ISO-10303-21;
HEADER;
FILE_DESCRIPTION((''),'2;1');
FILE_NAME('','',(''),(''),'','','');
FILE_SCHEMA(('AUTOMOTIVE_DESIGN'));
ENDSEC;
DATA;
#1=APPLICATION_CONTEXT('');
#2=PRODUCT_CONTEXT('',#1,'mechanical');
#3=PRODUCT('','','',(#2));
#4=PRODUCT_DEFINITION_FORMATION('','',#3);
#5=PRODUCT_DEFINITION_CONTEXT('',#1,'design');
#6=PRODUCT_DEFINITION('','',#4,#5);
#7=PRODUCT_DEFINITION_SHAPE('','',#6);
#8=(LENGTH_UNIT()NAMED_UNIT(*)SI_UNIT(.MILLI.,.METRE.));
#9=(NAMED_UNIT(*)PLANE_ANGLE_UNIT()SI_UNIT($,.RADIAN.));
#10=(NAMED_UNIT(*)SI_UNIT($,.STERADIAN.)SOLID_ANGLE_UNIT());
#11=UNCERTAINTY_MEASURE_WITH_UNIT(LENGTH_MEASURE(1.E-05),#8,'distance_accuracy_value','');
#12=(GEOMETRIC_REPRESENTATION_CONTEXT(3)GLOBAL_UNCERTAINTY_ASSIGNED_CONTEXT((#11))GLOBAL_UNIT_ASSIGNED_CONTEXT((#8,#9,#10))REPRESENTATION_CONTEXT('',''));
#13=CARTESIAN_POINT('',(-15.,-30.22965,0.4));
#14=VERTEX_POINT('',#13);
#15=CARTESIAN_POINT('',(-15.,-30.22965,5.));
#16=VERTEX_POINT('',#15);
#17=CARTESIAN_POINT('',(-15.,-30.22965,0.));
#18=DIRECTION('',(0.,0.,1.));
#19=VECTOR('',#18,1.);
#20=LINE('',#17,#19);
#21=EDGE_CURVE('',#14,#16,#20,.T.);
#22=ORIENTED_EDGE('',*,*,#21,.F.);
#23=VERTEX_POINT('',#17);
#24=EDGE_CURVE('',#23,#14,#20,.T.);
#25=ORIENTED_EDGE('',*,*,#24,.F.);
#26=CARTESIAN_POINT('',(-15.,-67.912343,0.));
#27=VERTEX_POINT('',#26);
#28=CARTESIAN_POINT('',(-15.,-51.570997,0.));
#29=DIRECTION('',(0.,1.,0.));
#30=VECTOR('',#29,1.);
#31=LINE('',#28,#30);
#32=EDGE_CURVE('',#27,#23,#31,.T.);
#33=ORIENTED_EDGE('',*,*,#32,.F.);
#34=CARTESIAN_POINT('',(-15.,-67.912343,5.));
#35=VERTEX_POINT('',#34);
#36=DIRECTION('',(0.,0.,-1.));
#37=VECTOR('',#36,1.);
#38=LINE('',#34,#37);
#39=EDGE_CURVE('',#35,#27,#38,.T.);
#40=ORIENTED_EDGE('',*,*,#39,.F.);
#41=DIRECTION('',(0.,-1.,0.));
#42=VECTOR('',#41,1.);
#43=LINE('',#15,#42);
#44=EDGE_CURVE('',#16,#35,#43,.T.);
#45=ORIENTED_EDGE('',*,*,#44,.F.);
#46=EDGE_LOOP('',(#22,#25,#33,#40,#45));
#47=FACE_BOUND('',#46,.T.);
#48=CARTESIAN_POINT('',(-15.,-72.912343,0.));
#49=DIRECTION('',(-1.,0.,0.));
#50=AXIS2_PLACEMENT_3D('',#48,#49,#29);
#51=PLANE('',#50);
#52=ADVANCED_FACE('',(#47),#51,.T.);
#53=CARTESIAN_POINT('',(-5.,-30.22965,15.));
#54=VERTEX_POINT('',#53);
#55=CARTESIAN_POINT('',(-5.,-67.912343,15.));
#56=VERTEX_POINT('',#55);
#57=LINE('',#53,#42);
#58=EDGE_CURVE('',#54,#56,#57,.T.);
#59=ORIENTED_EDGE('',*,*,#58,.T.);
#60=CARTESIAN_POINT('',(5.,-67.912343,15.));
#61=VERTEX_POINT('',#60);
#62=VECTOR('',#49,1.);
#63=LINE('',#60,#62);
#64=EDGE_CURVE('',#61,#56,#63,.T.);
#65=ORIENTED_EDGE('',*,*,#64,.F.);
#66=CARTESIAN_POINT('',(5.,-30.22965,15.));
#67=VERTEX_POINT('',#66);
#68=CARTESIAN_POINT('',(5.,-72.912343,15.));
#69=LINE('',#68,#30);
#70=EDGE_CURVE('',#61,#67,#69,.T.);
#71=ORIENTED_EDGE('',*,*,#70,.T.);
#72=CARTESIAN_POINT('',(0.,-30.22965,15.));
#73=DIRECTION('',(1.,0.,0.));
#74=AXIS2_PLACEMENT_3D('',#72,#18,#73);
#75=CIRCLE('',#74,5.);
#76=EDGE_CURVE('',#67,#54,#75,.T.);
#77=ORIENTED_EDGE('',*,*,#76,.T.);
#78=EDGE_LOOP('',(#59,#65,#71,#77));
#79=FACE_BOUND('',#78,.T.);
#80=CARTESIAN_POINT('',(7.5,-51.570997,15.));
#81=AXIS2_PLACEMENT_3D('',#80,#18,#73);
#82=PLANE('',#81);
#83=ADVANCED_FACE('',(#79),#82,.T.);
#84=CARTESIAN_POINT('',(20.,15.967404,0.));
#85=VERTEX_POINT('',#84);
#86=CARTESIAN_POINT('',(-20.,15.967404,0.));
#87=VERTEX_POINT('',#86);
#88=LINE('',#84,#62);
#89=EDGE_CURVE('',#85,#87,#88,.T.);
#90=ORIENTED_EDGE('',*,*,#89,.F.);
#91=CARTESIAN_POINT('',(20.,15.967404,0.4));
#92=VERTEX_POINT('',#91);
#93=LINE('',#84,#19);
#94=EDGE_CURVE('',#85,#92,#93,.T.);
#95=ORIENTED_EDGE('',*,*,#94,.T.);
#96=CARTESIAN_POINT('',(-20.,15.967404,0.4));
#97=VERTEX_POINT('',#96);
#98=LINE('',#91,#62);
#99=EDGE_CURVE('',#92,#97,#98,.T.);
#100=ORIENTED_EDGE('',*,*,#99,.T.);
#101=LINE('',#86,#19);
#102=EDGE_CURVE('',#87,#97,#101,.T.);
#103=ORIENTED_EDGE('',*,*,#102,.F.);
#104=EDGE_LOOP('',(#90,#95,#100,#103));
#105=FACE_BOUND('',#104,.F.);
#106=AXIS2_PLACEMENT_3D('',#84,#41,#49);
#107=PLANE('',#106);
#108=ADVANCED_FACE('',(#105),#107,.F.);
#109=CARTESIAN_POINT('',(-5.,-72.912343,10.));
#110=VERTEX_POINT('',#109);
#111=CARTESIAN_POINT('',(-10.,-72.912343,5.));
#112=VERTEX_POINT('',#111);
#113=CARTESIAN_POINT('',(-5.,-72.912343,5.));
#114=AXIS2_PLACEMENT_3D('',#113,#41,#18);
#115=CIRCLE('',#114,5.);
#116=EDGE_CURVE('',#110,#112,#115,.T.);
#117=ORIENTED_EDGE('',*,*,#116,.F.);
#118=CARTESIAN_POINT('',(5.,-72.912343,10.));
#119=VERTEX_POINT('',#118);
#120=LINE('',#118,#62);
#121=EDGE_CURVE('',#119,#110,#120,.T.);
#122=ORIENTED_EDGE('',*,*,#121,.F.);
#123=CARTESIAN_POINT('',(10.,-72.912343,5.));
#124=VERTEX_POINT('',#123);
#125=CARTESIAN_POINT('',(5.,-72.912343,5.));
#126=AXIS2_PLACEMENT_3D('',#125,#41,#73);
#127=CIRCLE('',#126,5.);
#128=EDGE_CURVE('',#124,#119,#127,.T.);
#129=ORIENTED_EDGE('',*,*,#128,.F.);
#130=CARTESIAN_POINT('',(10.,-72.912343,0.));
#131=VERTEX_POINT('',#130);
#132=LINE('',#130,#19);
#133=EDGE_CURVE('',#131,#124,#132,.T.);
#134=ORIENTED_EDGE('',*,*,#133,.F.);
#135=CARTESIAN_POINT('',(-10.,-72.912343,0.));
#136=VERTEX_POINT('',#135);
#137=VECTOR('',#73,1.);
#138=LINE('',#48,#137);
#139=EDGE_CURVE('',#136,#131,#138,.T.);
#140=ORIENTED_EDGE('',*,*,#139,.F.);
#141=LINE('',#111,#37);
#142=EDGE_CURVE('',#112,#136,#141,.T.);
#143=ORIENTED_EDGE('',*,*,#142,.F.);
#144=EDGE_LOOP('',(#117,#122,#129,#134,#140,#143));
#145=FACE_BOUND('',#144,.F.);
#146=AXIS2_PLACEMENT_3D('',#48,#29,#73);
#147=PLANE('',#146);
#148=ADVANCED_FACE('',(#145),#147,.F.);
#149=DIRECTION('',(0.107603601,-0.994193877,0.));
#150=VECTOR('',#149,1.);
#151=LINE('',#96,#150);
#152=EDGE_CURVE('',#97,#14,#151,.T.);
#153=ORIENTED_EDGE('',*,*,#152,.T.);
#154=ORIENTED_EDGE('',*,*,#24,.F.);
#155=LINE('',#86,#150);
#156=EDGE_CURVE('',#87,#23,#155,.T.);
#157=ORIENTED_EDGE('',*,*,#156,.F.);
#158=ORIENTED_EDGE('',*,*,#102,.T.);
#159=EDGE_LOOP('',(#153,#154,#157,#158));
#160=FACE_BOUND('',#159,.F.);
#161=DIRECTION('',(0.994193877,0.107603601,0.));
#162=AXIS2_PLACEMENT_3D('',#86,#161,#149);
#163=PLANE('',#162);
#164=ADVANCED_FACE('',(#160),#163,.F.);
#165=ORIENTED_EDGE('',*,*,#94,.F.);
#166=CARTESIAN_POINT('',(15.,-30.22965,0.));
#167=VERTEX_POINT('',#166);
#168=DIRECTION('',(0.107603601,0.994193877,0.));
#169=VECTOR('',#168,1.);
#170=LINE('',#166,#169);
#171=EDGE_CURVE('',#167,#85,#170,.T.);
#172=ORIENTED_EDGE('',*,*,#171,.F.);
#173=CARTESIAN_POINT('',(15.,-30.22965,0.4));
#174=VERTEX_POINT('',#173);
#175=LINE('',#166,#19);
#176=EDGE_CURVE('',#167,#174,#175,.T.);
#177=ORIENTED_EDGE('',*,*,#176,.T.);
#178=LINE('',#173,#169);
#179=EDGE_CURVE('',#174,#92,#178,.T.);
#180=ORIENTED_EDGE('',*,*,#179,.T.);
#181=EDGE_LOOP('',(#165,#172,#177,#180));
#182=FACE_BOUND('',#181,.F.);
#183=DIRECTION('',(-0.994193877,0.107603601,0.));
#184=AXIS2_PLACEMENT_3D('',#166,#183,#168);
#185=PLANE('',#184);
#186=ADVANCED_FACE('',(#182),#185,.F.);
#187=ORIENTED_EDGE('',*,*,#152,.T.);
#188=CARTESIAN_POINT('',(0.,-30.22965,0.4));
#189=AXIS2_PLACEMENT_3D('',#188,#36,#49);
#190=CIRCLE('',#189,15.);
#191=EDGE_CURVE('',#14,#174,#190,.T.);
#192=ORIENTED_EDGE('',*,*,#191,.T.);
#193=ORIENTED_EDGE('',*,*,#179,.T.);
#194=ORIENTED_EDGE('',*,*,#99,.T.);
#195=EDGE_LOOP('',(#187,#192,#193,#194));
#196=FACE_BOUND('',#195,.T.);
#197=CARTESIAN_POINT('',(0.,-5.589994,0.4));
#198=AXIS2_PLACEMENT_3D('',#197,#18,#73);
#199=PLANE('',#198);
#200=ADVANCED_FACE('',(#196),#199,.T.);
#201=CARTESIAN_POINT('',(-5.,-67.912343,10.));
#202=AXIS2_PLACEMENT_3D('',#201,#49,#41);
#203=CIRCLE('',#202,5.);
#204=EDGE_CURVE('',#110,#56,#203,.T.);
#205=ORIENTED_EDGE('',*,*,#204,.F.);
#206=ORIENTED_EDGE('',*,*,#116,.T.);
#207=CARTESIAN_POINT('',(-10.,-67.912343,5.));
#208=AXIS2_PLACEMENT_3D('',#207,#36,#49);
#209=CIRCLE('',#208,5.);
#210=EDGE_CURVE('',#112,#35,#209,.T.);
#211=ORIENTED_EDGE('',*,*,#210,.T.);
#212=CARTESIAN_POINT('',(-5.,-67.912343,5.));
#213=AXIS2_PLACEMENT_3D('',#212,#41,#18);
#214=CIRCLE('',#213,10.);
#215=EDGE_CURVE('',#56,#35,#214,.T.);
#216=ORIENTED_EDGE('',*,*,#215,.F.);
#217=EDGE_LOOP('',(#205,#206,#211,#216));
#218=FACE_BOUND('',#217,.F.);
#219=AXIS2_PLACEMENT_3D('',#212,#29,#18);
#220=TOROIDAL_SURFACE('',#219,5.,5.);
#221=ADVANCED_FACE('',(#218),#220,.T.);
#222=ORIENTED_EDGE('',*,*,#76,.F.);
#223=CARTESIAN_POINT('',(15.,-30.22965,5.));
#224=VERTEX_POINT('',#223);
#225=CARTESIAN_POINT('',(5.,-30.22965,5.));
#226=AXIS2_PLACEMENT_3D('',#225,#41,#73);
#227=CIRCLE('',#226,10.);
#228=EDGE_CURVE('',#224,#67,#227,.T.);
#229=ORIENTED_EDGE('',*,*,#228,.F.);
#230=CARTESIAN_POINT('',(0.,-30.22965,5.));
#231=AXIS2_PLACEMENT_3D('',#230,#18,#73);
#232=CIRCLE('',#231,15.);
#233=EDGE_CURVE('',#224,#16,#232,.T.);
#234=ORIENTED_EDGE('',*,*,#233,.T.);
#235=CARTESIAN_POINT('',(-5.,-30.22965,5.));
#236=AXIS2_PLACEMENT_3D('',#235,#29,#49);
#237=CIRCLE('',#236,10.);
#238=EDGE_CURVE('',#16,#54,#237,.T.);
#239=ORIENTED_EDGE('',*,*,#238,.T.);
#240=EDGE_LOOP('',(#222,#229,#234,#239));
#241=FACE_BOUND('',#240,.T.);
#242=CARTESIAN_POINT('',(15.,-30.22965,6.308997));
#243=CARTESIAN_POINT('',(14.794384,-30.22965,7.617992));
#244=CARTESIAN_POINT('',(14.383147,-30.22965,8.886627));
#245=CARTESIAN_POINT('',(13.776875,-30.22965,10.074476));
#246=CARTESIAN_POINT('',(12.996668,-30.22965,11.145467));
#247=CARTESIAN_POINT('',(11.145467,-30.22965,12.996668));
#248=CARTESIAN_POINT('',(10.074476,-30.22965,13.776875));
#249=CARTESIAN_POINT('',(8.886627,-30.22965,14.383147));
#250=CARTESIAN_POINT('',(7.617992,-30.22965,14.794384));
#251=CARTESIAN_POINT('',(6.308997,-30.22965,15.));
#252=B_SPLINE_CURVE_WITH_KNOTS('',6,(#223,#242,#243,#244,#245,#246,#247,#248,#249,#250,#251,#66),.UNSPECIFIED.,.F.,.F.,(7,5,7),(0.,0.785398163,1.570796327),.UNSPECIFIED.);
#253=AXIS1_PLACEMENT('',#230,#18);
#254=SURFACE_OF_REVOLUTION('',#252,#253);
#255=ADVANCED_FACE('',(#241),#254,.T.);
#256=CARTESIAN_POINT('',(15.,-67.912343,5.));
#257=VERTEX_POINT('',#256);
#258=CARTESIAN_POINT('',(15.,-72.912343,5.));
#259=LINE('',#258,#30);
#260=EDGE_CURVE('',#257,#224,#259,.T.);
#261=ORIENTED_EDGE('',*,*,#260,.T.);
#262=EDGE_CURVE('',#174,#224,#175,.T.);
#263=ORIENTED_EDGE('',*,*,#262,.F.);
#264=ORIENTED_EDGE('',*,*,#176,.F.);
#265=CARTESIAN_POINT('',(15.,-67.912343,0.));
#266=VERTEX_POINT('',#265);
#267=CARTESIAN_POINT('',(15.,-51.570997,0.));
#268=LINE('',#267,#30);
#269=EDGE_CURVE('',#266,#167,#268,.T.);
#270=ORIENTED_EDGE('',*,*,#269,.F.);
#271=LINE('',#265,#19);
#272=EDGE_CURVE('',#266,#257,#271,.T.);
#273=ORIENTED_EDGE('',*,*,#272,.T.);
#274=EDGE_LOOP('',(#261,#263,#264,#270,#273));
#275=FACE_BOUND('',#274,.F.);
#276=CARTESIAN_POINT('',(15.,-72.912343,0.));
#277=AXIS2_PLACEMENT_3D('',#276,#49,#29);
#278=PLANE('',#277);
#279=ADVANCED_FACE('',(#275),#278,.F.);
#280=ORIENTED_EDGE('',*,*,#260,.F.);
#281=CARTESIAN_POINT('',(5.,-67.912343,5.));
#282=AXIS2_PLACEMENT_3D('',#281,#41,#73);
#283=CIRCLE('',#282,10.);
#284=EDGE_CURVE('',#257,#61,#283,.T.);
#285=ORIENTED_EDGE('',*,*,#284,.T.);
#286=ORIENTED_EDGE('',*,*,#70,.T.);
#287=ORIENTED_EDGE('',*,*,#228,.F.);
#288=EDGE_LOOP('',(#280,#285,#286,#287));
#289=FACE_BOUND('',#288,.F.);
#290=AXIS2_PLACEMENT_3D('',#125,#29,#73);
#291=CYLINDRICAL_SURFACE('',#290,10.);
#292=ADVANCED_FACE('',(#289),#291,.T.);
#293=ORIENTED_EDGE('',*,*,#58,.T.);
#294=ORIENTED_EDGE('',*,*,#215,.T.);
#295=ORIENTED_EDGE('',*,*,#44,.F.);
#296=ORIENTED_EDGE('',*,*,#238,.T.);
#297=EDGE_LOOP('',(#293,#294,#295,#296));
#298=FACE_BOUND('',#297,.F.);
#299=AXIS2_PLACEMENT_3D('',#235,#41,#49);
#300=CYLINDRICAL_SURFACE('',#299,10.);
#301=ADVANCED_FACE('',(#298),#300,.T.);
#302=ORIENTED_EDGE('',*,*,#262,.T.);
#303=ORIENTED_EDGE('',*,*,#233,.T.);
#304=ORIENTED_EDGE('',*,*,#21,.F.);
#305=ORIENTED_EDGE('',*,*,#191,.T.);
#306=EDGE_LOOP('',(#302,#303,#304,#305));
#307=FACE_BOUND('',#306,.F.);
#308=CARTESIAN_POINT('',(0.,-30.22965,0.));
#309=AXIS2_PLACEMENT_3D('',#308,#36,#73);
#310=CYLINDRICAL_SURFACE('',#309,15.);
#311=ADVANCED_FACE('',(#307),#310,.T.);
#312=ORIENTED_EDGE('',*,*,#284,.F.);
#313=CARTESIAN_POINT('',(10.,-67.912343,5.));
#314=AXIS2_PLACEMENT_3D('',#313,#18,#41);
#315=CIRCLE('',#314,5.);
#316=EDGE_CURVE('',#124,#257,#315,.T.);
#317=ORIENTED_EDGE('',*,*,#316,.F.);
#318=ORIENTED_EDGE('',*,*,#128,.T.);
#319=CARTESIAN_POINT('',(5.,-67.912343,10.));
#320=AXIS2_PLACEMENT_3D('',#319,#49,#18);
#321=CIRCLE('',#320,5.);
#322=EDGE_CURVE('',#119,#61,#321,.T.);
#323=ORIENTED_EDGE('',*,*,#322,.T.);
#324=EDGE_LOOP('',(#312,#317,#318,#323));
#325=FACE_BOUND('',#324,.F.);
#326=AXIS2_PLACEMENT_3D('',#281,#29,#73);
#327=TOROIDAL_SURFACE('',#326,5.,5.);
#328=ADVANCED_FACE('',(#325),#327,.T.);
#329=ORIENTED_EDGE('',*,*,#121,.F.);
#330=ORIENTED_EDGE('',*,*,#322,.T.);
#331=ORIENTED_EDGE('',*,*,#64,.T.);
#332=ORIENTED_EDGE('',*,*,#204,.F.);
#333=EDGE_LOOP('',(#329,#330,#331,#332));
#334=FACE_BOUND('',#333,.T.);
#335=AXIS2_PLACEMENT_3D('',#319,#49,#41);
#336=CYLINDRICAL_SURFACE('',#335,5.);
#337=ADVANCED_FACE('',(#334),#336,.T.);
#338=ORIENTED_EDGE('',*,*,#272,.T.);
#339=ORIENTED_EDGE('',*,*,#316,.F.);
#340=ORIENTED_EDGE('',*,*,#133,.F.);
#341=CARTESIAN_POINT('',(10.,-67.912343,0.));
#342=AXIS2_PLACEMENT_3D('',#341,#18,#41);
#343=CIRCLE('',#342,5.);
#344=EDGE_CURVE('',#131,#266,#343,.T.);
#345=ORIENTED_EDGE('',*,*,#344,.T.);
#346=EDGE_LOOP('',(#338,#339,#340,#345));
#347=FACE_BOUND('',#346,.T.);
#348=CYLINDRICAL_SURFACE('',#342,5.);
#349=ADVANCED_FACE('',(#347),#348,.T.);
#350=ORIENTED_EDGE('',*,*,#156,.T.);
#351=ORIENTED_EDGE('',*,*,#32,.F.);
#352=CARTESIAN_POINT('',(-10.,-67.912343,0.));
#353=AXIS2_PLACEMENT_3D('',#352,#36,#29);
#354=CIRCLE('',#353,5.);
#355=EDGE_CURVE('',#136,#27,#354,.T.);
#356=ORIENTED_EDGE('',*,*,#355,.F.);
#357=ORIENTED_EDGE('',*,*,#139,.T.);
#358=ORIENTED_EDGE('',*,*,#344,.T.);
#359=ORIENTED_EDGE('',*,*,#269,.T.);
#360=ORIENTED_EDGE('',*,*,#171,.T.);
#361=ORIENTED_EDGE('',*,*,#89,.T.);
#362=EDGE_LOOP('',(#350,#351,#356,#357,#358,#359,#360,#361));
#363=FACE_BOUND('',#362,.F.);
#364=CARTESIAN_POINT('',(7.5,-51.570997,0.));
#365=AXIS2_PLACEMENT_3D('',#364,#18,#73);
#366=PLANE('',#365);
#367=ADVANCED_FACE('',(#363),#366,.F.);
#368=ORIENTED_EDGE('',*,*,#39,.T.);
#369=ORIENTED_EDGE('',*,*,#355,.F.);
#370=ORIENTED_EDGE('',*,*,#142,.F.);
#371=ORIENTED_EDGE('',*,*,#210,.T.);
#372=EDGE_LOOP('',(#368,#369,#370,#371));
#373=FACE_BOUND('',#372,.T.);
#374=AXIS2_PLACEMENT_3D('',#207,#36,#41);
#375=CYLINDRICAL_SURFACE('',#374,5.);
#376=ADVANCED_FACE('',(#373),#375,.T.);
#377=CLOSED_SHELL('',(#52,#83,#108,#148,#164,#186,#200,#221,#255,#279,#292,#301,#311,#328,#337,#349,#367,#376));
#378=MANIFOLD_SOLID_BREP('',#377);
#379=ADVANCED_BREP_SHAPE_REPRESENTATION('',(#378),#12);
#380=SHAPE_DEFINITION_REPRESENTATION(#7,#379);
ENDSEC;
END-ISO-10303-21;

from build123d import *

# Parameters (mm, degrees)
F1_DEPTH = 0.4
F0_W     = 15
F0_H     = 42.6826924086
F2_DEPTH = 15
F3_R     = 10
F4_R     = 5


with BuildPart() as f1:
    # F0 (on Top) → F1 (new body)
    with BuildSketch(Plane.XY):
        with BuildLine():
            ThreePointArc((0, -15.2296504378), (10.6066017178, -19.62304872), (15, -30.2296504378))
            Line((15, -30.2296504378), (20, 15.9674037131))
            Line((20, 15.9674037131), (-20, 15.9674037131))
            Line((-20, 15.9674037131), (-15, -30.2296504378))
            ThreePointArc((-15, -30.2296504378), (-10.6066017178, -19.62304872), (0, -15.2296504378))
        make_face()
    extrude(amount=F1_DEPTH)

    # F0 (on Top) → F2 (join)
    with BuildSketch(Plane.XY):
        with Locations((7.5, -51.5709966421)):
            Rectangle(F0_W, F0_H)
        with BuildLine():
            Line((0, -30.2296504378), (15, -30.2296504378))
            ThreePointArc((15, -30.2296504378), (10.6066017178, -19.62304872), (0, -15.2296504378))
            Line((0, -15.2296504378), (0, -30.2296504378))
        make_face()
        with BuildLine():
            Line((-15, -30.2296504378), (0, -30.2296504378))
            Line((0, -30.2296504378), (0, -15.2296504378))
            ThreePointArc((0, -15.2296504378), (-10.6066017178, -19.62304872), (-15, -30.2296504378))
        make_face()
        with Locations((-7.5, -51.5709966421)):
            Rectangle(F0_W, F0_H)
    extrude(amount=F2_DEPTH)

    # F3
    f3_edges = [f1.edges().sort_by_distance(p)[0] for p in [
        (0, -15.22965, 15),
    ]]
    fillet(f3_edges, radius=F3_R)

    # F4
    f4_edges = [f1.edges().sort_by_distance(p)[0] for p in [
        (12.071068, -72.912343, 12.071068),
    ]]
    fillet(f4_edges, radius=F4_R)


solid = f1.part
